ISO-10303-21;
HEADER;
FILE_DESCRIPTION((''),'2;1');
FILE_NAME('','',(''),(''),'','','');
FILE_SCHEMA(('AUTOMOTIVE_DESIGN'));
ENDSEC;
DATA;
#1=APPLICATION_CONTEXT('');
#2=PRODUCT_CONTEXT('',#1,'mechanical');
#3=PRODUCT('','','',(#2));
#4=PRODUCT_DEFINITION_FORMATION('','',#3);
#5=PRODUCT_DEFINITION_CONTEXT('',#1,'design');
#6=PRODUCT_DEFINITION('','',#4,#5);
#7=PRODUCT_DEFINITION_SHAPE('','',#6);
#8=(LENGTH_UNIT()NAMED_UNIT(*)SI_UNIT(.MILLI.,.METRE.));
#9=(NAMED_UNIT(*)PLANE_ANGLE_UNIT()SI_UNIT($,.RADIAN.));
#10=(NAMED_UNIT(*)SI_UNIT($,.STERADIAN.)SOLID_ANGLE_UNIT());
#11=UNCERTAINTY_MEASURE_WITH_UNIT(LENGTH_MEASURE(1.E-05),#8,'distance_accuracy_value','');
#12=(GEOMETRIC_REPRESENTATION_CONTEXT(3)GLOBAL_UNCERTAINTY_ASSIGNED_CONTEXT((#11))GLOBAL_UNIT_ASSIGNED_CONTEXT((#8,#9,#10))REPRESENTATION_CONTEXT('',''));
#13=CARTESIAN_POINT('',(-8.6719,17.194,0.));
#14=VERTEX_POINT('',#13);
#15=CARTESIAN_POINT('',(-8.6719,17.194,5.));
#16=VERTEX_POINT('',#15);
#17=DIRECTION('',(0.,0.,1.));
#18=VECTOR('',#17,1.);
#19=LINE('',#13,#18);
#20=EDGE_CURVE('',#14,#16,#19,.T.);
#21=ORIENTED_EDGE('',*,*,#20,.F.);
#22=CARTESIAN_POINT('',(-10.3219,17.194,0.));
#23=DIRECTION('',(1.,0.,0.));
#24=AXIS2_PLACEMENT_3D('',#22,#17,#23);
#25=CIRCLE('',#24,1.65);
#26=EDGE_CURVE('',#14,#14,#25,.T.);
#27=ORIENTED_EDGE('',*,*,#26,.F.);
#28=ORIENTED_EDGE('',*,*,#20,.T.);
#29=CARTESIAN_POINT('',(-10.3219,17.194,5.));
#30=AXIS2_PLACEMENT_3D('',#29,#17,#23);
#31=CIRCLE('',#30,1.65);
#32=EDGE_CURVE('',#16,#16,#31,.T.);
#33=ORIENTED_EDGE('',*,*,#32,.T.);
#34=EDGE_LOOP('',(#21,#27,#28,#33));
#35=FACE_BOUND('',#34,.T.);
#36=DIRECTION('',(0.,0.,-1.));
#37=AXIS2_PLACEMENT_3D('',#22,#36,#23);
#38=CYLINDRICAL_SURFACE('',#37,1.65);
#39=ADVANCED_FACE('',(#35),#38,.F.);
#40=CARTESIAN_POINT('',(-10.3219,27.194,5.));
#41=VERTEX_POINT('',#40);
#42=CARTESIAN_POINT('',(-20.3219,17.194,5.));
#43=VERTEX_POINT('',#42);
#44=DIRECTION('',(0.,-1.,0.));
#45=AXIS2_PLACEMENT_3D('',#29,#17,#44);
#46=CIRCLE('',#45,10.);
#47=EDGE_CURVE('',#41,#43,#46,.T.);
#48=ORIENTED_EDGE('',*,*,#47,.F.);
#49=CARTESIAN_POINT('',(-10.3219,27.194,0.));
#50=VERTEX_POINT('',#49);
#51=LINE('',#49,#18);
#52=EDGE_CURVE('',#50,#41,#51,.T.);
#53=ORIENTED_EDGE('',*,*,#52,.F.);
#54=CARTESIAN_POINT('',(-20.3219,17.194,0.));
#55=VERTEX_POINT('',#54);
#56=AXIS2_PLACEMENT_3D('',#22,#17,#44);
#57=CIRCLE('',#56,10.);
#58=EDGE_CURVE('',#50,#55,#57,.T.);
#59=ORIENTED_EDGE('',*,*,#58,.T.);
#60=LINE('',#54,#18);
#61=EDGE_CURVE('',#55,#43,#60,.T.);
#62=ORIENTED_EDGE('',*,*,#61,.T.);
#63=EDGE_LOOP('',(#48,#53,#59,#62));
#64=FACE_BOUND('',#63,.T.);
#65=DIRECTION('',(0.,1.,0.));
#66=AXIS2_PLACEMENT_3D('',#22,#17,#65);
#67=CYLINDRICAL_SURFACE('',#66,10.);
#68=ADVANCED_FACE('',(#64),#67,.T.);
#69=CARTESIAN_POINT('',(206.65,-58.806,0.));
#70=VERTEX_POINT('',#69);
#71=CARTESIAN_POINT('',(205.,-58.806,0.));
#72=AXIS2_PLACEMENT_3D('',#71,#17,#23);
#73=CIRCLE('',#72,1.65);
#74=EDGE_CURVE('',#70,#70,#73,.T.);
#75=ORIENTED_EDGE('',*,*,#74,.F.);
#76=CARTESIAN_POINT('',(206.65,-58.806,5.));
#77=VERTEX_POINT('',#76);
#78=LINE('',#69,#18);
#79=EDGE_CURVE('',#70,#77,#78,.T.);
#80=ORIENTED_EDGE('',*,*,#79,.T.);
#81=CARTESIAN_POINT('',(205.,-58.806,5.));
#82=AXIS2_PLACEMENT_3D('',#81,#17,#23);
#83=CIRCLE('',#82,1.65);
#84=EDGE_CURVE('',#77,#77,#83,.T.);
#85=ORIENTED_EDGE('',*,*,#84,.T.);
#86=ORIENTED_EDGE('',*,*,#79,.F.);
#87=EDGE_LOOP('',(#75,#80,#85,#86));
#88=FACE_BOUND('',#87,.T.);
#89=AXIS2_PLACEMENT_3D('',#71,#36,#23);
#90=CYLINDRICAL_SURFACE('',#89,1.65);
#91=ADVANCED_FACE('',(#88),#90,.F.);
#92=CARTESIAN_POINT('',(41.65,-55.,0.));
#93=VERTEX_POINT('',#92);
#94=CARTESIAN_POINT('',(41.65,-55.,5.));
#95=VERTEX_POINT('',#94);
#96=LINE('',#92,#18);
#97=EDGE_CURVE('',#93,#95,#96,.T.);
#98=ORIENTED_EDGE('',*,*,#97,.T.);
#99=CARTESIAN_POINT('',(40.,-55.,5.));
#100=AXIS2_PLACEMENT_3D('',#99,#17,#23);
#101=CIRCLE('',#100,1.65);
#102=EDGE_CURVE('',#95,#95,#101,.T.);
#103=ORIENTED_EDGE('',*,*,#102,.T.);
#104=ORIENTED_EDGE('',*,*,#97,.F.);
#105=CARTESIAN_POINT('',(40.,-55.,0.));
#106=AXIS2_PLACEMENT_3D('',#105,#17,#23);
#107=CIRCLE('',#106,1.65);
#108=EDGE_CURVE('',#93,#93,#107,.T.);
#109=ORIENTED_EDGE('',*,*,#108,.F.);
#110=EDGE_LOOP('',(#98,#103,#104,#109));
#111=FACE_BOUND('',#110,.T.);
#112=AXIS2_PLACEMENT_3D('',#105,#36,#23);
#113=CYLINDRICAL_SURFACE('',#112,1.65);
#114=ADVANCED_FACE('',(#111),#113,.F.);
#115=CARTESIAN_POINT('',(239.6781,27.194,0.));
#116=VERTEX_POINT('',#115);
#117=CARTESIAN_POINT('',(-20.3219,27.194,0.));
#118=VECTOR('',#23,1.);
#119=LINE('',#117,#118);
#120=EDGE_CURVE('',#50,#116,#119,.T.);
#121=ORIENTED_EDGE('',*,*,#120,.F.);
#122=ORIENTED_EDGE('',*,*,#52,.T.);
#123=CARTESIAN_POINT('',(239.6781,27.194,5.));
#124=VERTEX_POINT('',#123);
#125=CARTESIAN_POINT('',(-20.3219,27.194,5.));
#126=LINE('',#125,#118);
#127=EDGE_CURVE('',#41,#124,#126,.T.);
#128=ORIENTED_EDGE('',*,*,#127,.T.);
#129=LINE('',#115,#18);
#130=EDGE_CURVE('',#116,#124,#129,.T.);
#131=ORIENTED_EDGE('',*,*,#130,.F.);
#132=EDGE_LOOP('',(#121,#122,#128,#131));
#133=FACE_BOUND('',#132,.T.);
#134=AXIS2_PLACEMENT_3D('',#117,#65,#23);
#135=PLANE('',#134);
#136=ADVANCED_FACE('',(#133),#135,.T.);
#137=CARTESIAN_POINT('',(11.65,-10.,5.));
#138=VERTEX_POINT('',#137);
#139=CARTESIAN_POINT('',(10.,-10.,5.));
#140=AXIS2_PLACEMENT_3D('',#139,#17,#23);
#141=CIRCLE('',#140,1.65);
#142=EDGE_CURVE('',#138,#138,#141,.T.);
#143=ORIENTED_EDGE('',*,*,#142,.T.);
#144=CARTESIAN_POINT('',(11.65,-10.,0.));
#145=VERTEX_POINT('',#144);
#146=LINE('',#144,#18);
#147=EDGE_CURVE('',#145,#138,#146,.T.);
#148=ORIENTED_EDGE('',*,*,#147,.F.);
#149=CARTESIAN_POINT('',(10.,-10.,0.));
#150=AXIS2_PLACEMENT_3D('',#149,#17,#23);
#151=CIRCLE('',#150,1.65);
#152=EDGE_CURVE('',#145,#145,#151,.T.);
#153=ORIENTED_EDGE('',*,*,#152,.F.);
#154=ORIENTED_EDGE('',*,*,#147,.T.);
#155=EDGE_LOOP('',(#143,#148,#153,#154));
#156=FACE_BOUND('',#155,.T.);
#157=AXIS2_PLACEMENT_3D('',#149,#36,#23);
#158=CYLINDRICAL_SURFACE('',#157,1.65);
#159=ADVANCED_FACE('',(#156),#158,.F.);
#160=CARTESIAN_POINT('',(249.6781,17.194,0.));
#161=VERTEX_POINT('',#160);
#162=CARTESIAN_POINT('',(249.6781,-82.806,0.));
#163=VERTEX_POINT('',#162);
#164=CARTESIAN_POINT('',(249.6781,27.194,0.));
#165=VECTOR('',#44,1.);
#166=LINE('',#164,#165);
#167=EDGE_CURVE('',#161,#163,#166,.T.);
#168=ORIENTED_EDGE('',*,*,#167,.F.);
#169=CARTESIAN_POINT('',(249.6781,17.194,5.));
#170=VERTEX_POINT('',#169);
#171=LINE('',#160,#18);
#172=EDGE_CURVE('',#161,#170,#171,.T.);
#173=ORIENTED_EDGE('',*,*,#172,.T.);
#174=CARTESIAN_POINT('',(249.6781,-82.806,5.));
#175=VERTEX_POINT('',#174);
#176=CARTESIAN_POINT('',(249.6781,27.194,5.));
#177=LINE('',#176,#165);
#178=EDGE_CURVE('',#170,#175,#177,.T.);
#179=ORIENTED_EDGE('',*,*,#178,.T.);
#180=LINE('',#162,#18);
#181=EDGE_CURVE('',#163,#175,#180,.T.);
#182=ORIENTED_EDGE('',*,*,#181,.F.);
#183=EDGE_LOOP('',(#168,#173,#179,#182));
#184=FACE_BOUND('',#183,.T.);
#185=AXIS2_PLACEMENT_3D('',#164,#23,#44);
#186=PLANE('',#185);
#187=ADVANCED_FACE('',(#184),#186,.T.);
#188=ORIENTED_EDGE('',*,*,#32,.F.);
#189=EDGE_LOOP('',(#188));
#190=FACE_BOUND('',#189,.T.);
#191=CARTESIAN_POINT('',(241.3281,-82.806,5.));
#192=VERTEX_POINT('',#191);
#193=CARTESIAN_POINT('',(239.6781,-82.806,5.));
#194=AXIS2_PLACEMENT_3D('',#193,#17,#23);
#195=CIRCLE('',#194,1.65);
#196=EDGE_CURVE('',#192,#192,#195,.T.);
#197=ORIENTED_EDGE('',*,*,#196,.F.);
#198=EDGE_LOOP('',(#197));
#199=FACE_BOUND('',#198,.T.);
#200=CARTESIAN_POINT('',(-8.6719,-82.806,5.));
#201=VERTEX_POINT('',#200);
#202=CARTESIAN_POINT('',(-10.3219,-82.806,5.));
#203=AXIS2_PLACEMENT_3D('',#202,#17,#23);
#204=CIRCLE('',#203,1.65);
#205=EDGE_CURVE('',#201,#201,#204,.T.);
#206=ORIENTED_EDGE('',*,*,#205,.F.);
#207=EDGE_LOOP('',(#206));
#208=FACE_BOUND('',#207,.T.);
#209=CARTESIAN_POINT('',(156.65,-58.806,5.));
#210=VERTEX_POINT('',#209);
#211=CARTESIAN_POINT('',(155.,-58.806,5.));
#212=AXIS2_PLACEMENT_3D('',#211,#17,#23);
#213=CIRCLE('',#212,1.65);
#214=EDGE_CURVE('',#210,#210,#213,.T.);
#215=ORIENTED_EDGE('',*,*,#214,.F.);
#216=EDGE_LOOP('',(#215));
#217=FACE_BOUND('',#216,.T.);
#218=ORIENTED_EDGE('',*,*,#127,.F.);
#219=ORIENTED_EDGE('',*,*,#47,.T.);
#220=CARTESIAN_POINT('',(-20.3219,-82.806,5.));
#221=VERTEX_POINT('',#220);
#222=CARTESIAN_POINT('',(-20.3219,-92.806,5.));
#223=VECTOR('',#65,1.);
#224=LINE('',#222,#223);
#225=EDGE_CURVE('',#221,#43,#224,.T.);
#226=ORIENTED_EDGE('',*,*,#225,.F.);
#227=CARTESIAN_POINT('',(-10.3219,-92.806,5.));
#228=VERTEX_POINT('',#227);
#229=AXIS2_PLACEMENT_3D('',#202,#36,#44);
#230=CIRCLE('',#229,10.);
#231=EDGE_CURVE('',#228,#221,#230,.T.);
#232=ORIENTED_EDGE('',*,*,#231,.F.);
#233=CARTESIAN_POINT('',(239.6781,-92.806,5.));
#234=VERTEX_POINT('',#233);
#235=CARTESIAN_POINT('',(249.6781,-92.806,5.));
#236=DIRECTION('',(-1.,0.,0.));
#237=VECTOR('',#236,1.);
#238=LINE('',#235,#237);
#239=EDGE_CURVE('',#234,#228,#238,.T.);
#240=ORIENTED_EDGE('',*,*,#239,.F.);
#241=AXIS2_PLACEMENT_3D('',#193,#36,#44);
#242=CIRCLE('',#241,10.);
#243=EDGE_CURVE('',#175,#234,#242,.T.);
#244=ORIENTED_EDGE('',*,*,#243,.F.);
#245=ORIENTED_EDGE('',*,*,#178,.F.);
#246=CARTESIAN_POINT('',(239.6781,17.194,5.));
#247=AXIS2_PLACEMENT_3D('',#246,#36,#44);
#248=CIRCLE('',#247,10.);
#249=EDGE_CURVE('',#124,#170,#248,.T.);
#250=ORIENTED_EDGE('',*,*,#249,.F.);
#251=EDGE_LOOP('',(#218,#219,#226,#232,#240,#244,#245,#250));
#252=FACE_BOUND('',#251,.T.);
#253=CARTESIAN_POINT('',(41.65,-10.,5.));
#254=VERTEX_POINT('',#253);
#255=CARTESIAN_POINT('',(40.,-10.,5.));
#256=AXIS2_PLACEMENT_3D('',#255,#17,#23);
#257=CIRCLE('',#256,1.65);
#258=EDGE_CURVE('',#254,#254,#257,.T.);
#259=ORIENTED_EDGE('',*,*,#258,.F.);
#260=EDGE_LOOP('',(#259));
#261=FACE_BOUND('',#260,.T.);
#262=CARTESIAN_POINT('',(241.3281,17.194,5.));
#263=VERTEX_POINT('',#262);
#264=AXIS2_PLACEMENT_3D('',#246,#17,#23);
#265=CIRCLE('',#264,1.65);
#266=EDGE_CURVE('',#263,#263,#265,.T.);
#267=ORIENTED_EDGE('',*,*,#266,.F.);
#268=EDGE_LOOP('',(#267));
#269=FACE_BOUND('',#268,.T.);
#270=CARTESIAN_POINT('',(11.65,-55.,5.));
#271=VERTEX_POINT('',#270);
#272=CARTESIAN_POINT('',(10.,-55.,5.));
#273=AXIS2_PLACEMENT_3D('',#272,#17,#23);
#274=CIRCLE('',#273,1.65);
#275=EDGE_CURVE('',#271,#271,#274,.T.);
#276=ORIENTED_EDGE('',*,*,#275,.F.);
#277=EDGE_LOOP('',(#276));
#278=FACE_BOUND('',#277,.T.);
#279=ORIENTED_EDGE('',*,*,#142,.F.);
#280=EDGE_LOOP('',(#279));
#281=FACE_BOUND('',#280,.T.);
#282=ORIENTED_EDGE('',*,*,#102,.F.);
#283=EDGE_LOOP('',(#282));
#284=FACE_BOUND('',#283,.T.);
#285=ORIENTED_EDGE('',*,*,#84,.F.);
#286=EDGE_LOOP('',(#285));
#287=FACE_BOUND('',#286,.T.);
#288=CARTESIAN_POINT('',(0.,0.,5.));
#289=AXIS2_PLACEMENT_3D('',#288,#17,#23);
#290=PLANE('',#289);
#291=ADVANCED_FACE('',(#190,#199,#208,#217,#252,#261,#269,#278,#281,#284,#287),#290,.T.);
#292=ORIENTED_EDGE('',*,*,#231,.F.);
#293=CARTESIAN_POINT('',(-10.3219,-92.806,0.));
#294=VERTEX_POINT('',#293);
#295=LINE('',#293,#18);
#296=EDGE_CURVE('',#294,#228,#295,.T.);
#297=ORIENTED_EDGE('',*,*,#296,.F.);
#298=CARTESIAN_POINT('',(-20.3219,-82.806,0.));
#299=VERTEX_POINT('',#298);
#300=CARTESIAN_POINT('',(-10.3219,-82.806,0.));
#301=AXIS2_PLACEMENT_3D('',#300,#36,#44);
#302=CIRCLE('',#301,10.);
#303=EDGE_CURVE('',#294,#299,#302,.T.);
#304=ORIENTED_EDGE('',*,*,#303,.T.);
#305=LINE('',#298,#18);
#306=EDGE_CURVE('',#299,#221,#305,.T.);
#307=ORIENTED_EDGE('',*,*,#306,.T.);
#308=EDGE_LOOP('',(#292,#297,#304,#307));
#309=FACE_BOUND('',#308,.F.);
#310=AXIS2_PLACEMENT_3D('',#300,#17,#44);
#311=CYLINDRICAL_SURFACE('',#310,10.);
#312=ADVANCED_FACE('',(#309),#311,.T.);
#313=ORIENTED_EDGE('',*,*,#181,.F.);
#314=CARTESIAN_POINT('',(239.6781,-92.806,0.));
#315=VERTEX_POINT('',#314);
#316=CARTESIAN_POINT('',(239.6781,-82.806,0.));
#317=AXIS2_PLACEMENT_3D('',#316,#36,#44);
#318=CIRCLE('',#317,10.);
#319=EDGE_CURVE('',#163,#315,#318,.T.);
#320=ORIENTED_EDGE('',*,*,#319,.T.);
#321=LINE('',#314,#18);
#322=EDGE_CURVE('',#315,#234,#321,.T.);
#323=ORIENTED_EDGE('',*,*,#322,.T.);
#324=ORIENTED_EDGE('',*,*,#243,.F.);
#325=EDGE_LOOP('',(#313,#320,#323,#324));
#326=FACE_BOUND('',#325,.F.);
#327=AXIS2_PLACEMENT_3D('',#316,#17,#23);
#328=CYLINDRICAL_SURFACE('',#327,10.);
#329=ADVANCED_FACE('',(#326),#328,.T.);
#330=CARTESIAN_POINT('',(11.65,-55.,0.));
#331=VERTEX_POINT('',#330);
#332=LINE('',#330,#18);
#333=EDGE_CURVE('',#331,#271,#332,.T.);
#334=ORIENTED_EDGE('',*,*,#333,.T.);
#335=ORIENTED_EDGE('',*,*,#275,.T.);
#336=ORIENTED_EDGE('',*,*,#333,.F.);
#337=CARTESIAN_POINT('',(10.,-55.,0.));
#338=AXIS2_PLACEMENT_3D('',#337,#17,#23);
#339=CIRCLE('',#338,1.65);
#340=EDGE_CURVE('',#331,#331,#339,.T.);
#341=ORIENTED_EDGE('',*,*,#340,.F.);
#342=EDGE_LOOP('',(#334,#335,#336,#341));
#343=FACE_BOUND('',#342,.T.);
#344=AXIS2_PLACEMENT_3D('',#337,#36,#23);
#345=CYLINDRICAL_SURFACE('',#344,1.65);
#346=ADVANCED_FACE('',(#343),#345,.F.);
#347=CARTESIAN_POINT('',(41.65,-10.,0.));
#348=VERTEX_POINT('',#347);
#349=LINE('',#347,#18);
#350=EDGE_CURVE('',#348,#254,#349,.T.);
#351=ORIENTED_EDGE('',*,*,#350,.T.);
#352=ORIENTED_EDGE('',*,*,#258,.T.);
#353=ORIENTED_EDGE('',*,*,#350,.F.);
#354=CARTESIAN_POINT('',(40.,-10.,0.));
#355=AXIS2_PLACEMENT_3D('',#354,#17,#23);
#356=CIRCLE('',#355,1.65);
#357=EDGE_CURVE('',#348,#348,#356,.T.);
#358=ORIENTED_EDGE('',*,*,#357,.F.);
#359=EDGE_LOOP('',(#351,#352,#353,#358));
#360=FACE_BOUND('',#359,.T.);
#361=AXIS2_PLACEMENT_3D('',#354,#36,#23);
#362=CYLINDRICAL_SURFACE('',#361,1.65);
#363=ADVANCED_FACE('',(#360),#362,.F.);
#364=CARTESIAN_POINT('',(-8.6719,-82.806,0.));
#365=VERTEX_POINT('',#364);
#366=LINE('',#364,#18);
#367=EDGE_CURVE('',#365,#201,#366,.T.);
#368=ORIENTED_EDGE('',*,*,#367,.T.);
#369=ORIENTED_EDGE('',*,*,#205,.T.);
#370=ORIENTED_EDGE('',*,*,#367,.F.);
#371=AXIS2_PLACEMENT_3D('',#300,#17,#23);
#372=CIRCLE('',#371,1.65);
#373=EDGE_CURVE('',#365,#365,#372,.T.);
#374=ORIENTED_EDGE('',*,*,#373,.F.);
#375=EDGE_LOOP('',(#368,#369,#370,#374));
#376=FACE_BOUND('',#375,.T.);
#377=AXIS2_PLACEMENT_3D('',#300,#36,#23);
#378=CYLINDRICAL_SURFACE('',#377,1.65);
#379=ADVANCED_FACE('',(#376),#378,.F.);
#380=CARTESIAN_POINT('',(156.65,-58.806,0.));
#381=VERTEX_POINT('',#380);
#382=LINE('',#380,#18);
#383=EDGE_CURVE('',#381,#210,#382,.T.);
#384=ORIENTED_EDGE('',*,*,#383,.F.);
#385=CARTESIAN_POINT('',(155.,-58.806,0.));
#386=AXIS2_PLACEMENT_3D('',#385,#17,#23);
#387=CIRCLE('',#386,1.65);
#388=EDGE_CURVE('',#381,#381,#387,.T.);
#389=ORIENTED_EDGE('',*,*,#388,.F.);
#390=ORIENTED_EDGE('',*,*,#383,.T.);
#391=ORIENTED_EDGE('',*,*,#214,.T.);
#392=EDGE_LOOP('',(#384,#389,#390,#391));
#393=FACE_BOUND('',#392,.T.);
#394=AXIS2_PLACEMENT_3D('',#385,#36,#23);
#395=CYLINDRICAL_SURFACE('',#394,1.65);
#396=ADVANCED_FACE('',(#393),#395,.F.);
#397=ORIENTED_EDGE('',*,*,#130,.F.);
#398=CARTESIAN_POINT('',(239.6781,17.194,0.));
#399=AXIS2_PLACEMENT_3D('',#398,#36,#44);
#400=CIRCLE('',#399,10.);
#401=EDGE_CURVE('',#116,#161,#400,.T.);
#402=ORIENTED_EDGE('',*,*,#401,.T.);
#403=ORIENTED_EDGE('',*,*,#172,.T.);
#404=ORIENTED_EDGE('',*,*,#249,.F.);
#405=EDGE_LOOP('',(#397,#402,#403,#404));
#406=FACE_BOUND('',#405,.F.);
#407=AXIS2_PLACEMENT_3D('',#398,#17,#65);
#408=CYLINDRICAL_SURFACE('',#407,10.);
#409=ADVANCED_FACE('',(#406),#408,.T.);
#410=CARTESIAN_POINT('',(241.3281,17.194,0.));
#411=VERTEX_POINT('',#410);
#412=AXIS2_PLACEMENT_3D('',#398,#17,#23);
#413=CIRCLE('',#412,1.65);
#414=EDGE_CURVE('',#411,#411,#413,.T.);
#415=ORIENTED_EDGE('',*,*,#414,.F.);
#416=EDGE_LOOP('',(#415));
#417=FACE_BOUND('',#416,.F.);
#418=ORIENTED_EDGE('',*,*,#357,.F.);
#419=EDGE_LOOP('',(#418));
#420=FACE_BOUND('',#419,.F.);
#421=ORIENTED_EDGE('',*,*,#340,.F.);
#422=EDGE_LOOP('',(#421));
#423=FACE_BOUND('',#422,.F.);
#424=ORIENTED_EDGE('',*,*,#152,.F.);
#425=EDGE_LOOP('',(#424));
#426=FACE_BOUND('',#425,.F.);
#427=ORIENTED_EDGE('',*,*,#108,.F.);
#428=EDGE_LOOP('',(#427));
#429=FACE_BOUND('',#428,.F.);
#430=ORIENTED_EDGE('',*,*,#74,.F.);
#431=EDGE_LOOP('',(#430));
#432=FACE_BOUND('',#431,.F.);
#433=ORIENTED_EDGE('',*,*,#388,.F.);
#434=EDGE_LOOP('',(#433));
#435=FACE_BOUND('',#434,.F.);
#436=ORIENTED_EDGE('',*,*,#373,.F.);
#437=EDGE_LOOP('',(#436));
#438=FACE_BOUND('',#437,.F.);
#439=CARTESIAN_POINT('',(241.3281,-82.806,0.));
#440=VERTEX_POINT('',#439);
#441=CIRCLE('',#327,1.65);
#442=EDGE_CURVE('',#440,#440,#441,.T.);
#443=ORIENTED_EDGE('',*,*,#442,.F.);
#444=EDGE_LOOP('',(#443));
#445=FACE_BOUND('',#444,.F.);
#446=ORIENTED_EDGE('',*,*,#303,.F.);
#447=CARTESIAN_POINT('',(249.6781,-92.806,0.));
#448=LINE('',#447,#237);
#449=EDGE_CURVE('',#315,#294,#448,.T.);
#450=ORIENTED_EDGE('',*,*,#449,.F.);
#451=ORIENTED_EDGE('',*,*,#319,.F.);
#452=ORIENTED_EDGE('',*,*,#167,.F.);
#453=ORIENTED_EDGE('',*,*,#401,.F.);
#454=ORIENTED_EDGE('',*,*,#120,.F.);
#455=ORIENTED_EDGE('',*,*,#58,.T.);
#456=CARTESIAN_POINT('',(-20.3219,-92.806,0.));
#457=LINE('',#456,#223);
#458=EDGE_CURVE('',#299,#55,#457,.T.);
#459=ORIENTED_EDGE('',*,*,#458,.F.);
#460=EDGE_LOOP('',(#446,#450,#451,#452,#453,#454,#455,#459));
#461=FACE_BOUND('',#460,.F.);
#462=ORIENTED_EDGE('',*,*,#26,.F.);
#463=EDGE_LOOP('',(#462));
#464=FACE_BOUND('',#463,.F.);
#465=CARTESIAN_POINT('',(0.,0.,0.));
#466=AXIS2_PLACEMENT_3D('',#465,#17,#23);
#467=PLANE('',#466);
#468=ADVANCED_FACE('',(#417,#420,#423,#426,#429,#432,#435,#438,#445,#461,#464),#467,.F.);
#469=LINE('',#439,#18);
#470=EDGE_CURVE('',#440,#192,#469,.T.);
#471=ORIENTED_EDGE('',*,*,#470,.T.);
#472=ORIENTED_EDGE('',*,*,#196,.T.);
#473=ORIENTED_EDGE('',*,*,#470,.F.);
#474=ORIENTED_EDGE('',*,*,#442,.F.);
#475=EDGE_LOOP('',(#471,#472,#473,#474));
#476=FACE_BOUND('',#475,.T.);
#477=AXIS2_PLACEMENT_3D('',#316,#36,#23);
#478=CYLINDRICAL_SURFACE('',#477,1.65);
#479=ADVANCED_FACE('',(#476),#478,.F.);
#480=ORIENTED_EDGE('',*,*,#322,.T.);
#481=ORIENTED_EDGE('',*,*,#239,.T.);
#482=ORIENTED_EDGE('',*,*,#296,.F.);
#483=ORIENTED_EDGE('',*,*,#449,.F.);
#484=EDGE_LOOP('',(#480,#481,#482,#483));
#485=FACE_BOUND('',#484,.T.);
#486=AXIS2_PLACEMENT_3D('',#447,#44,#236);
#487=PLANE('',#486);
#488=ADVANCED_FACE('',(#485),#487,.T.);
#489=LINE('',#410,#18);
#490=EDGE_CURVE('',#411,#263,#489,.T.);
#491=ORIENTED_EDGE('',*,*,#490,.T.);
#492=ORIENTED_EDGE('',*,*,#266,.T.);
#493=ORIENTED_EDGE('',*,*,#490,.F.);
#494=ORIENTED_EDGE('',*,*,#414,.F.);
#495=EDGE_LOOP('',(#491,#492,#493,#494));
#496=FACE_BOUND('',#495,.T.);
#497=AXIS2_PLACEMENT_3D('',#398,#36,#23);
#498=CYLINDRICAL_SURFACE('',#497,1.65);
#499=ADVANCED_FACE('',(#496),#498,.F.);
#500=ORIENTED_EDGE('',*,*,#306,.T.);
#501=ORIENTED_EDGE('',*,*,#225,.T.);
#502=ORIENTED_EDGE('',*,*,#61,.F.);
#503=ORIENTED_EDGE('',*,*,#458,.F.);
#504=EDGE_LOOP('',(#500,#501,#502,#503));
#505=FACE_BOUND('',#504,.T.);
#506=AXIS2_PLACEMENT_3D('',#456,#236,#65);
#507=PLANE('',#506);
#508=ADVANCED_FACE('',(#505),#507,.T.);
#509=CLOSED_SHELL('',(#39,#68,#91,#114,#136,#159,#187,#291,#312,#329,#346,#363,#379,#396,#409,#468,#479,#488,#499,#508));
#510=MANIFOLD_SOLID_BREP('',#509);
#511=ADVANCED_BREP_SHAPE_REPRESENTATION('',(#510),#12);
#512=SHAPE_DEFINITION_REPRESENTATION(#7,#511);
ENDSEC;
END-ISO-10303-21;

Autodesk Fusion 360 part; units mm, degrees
sketch "Esquisse2" plane through (0, 0, 0) normal (0, 0, 1) x (1, 0, 0)
  line L0 (-20.3219, 27.194) -> (249.6781, 27.194)
  line L1 (249.6781, 27.194) -> (249.6781, -92.806)
  line L2 (249.6781, -92.806) -> (-20.3219, -92.806)
  line L3 (-20.3219, -92.806) -> (-20.3219, 27.194)
  circle A0 centre (-10.3219, 17.194) radius 1.65
  circle A1 centre (-10.3219, -82.806) radius 1.65
  circle A2 centre (239.6781, 17.194) radius 1.65
  circle A3 centre (239.6781, -82.806) radius 1.65
  circle A4 centre (10, -10) radius 1.65
  circle A5 centre (40, -10) radius 1.65
  circle A6 centre (10, -55) radius 1.65
  circle A7 centre (40, -55) radius 1.65
  circle A8 centre (155, -58.806) radius 1.65
  circle A9 centre (205, -58.806) radius 1.65
  dimension "d1" = 120
  dimension "d2" = 270
  dimension "d20" = 3.3
  dimension "d21" = 10
  dimension "d22" = 10
  dimension "d23" = 3.3
  dimension "d24" = 10
  dimension "d25" = 10
  dimension "d26" = 3.3
  dimension "d27" = 10
  dimension "d28" = 10
  dimension "d29" = 3.3
  dimension "d30" = 10
  dimension "d31" = 10
  dimension "d32" = 3.3
  dimension "d33" = 3.3
  dimension "d34" = 45
  dimension "d35" = 3.3
  dimension "d36" = 30
  dimension "d37" = 3.3
  dimension "d38" = 30
  dimension "d39" = 3.3
  dimension "d40" = 3.3
  dimension "d49" = 34
  dimension "d50" = 115
  dimension "d53" = 34
  dimension "d54" = 50
extrude "Extrusion5" add sketch "Esquisse2" along normal blind 5
fillet "Congé1" radius 10 4 edges at (-20.3219, -92.806, 2.5) (249.6781, -92.806, 2.5) (249.6781, 27.194, 2.5) (-20.3219, 27.194, 2.5)
equation "d3 = 3.30 mm"
equation "d10 = 3.3 mm"
equation "d33 = d3"
equation "d35 = d3"
equation "d37 = d3"
equation "d40 = d10"
